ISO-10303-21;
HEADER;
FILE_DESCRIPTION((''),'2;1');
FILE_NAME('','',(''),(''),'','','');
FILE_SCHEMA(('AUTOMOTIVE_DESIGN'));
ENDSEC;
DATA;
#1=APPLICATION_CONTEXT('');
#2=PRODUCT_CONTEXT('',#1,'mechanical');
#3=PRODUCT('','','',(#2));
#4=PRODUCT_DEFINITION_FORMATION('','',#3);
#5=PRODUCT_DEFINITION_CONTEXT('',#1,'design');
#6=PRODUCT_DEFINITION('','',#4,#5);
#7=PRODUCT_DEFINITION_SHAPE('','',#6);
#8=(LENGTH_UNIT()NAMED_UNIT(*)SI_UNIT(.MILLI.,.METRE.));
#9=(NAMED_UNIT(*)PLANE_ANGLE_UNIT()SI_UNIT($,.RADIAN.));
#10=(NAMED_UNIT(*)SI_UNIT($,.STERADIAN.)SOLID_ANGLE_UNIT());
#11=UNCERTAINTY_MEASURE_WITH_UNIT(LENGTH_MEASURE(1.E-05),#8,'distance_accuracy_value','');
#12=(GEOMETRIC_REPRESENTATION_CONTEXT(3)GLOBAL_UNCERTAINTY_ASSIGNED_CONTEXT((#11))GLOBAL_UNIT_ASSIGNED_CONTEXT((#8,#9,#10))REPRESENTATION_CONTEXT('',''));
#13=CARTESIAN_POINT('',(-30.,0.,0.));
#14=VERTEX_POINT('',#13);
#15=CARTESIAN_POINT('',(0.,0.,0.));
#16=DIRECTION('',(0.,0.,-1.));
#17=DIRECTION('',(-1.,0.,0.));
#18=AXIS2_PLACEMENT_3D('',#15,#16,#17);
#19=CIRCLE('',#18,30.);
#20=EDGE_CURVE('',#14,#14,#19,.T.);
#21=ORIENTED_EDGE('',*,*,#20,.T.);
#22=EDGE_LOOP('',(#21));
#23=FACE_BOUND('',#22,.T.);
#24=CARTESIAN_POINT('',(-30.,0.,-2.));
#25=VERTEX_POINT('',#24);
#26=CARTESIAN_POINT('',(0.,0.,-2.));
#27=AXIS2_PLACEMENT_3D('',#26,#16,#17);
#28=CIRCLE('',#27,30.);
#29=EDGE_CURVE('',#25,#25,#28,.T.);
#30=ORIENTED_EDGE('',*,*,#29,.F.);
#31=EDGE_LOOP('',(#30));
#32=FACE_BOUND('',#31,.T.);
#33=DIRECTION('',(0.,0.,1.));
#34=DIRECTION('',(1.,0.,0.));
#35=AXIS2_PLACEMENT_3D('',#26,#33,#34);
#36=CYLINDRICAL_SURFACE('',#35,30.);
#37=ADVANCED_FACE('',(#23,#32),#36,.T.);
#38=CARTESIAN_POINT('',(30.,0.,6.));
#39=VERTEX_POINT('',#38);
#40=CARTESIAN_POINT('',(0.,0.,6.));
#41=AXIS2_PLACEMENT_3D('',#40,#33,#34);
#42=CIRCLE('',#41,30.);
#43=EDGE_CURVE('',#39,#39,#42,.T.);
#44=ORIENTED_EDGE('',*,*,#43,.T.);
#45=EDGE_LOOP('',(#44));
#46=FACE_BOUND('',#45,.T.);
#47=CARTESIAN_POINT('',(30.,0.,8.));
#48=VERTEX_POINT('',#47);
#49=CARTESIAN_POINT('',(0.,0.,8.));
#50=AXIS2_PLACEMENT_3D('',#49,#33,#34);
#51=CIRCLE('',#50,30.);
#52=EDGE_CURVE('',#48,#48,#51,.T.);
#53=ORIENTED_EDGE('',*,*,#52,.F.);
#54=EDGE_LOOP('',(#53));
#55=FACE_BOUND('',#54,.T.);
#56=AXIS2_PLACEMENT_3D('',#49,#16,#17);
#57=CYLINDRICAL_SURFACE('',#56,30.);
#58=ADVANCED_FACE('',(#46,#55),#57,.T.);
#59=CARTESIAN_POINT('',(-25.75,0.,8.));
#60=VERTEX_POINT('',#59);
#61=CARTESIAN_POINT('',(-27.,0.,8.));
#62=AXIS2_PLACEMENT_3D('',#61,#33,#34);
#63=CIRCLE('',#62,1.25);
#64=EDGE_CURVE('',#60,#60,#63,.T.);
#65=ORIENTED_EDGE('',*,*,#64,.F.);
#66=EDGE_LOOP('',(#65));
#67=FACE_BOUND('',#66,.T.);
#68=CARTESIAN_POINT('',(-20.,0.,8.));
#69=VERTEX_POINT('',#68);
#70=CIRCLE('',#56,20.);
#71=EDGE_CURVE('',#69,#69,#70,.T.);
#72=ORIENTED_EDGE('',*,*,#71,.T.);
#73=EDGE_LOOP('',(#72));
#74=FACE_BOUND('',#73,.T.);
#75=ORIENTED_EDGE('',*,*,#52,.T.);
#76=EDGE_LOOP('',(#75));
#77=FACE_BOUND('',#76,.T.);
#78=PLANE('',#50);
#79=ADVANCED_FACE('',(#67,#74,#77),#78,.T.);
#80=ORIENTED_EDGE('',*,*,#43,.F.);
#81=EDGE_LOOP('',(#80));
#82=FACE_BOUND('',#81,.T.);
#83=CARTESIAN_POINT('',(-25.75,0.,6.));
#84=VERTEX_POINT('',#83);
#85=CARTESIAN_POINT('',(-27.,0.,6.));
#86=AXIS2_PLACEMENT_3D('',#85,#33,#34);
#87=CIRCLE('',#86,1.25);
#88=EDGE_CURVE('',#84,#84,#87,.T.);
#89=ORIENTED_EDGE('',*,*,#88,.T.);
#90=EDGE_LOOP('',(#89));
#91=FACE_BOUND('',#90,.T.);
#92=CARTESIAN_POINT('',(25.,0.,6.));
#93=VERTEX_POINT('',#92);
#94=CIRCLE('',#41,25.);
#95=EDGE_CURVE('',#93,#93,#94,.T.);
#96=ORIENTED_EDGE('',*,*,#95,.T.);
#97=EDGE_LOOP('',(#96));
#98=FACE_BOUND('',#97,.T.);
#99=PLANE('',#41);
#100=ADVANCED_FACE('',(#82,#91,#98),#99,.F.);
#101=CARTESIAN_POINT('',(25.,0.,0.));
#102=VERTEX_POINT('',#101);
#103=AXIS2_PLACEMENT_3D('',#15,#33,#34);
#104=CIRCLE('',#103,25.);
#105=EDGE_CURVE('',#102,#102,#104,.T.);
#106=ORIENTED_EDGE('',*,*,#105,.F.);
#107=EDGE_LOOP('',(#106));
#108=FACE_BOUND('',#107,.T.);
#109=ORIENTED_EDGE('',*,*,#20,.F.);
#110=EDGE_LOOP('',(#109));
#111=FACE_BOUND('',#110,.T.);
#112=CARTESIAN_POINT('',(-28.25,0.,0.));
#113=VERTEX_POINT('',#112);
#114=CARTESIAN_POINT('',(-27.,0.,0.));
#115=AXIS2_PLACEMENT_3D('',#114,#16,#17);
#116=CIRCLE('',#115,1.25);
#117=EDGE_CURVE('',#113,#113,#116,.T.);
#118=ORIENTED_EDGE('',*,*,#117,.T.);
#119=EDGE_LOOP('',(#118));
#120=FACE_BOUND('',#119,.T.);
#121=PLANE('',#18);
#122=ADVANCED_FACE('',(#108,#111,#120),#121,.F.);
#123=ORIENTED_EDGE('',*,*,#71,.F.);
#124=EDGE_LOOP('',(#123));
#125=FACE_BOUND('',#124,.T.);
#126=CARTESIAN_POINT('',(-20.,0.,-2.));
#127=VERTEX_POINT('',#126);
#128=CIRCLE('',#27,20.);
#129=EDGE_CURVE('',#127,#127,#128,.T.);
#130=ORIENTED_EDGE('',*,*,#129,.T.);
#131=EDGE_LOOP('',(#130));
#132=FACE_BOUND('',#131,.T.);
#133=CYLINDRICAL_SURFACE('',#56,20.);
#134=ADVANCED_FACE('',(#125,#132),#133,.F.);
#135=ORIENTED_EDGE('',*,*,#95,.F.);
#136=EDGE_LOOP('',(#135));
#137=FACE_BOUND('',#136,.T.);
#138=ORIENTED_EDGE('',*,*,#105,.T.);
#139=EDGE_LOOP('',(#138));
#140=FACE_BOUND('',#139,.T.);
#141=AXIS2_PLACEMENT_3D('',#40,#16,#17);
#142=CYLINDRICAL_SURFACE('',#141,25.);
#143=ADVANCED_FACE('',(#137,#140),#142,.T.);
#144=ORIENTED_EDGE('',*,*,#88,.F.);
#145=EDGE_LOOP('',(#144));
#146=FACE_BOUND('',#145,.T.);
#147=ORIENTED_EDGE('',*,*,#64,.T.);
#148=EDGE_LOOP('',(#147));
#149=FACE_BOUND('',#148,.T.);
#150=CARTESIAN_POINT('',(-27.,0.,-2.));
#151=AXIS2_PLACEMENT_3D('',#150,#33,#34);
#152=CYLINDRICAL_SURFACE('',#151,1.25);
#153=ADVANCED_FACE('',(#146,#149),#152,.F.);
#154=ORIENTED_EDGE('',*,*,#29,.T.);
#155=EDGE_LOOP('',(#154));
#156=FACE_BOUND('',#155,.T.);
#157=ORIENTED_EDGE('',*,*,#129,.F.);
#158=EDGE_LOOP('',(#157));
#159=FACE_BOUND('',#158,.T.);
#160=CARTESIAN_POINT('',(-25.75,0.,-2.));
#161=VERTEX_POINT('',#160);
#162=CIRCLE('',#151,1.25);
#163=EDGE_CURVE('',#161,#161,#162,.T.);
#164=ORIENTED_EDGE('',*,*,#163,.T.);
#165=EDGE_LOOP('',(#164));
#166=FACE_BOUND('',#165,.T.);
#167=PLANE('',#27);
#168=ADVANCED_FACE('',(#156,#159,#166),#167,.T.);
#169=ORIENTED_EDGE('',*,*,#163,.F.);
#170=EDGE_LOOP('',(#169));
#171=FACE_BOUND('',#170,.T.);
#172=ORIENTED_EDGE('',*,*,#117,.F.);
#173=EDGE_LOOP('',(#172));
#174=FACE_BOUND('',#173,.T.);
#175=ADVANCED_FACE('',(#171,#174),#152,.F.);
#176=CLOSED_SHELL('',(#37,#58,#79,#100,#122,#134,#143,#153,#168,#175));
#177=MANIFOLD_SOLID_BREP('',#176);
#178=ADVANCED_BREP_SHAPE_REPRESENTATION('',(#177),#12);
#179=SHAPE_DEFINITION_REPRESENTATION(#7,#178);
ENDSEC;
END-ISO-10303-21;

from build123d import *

# Parameters (mm, degrees)
SKETCH_2_R               = 25
EXTRUDE_1_DEPTH          = 6
SKETCH_3_R               = 30
EXTRUDE_2_DEPTH          = 2
EXTRUDE_START            = 2
SKETCH_4_R               = 30
EXTRUDE_4_DEPTH          = 2
CUT_EXTRUDE_1_DEPTH      = 44.588989435
CUT_EXTRUDE_1_DEPTH_BACK = 44.588989435
SKETCH_5_R               = 20
CUT_EXTRUDE_3_DEPTH      = 44.588989435
CUT_EXTRUDE_3_DEPTH_BACK = 44.588989435
SKETCH_7_R               = 1.25


with BuildPart() as part:
    # 스케치2 → 보스-돌출1 (new body)
    with BuildSketch(Plane.XY):
        Circle(SKETCH_2_R)
    extrude(amount=EXTRUDE_1_DEPTH)

    # 스케치3 → 보스-돌출2 (add)
    with BuildSketch(Plane.XY.offset(6)):
        Circle(SKETCH_3_R)
    extrude(amount=EXTRUDE_2_DEPTH)

    # 스케치4 → 보스-돌출4 (add)
    with BuildSketch(Plane(origin=(0, 0, 0), x_dir=(-1, 0, 0), z_dir=(0, 0, -1)).offset(EXTRUDE_START)):
        with Locations(Location((0, 0, 0), (0, 0, 180))):
            Circle(SKETCH_4_R)
    extrude(amount=-EXTRUDE_4_DEPTH)

    # 스케치5 → 컷-돌출1 (cut, two sides: drawn at the far end of the back side and taken through both)
    with BuildSketch(Plane(origin=(0, 0, -2), x_dir=(-1, 0, 0), z_dir=(0, 0, -1)).offset(-CUT_EXTRUDE_1_DEPTH_BACK)):
        Circle(SKETCH_5_R)
    extrude(amount=CUT_EXTRUDE_1_DEPTH + CUT_EXTRUDE_1_DEPTH_BACK, mode=Mode.SUBTRACT)

    # 스케치7 → 컷-돌출3 (cut, two sides: drawn at the far end of the back side and taken through both)
    with BuildSketch(Plane.XY.offset(8).offset(-CUT_EXTRUDE_3_DEPTH_BACK)):
        with Locations((-27, 0)):
            Circle(SKETCH_7_R)
    extrude(amount=CUT_EXTRUDE_3_DEPTH + CUT_EXTRUDE_3_DEPTH_BACK, mode=Mode.SUBTRACT)


solid = part.part
